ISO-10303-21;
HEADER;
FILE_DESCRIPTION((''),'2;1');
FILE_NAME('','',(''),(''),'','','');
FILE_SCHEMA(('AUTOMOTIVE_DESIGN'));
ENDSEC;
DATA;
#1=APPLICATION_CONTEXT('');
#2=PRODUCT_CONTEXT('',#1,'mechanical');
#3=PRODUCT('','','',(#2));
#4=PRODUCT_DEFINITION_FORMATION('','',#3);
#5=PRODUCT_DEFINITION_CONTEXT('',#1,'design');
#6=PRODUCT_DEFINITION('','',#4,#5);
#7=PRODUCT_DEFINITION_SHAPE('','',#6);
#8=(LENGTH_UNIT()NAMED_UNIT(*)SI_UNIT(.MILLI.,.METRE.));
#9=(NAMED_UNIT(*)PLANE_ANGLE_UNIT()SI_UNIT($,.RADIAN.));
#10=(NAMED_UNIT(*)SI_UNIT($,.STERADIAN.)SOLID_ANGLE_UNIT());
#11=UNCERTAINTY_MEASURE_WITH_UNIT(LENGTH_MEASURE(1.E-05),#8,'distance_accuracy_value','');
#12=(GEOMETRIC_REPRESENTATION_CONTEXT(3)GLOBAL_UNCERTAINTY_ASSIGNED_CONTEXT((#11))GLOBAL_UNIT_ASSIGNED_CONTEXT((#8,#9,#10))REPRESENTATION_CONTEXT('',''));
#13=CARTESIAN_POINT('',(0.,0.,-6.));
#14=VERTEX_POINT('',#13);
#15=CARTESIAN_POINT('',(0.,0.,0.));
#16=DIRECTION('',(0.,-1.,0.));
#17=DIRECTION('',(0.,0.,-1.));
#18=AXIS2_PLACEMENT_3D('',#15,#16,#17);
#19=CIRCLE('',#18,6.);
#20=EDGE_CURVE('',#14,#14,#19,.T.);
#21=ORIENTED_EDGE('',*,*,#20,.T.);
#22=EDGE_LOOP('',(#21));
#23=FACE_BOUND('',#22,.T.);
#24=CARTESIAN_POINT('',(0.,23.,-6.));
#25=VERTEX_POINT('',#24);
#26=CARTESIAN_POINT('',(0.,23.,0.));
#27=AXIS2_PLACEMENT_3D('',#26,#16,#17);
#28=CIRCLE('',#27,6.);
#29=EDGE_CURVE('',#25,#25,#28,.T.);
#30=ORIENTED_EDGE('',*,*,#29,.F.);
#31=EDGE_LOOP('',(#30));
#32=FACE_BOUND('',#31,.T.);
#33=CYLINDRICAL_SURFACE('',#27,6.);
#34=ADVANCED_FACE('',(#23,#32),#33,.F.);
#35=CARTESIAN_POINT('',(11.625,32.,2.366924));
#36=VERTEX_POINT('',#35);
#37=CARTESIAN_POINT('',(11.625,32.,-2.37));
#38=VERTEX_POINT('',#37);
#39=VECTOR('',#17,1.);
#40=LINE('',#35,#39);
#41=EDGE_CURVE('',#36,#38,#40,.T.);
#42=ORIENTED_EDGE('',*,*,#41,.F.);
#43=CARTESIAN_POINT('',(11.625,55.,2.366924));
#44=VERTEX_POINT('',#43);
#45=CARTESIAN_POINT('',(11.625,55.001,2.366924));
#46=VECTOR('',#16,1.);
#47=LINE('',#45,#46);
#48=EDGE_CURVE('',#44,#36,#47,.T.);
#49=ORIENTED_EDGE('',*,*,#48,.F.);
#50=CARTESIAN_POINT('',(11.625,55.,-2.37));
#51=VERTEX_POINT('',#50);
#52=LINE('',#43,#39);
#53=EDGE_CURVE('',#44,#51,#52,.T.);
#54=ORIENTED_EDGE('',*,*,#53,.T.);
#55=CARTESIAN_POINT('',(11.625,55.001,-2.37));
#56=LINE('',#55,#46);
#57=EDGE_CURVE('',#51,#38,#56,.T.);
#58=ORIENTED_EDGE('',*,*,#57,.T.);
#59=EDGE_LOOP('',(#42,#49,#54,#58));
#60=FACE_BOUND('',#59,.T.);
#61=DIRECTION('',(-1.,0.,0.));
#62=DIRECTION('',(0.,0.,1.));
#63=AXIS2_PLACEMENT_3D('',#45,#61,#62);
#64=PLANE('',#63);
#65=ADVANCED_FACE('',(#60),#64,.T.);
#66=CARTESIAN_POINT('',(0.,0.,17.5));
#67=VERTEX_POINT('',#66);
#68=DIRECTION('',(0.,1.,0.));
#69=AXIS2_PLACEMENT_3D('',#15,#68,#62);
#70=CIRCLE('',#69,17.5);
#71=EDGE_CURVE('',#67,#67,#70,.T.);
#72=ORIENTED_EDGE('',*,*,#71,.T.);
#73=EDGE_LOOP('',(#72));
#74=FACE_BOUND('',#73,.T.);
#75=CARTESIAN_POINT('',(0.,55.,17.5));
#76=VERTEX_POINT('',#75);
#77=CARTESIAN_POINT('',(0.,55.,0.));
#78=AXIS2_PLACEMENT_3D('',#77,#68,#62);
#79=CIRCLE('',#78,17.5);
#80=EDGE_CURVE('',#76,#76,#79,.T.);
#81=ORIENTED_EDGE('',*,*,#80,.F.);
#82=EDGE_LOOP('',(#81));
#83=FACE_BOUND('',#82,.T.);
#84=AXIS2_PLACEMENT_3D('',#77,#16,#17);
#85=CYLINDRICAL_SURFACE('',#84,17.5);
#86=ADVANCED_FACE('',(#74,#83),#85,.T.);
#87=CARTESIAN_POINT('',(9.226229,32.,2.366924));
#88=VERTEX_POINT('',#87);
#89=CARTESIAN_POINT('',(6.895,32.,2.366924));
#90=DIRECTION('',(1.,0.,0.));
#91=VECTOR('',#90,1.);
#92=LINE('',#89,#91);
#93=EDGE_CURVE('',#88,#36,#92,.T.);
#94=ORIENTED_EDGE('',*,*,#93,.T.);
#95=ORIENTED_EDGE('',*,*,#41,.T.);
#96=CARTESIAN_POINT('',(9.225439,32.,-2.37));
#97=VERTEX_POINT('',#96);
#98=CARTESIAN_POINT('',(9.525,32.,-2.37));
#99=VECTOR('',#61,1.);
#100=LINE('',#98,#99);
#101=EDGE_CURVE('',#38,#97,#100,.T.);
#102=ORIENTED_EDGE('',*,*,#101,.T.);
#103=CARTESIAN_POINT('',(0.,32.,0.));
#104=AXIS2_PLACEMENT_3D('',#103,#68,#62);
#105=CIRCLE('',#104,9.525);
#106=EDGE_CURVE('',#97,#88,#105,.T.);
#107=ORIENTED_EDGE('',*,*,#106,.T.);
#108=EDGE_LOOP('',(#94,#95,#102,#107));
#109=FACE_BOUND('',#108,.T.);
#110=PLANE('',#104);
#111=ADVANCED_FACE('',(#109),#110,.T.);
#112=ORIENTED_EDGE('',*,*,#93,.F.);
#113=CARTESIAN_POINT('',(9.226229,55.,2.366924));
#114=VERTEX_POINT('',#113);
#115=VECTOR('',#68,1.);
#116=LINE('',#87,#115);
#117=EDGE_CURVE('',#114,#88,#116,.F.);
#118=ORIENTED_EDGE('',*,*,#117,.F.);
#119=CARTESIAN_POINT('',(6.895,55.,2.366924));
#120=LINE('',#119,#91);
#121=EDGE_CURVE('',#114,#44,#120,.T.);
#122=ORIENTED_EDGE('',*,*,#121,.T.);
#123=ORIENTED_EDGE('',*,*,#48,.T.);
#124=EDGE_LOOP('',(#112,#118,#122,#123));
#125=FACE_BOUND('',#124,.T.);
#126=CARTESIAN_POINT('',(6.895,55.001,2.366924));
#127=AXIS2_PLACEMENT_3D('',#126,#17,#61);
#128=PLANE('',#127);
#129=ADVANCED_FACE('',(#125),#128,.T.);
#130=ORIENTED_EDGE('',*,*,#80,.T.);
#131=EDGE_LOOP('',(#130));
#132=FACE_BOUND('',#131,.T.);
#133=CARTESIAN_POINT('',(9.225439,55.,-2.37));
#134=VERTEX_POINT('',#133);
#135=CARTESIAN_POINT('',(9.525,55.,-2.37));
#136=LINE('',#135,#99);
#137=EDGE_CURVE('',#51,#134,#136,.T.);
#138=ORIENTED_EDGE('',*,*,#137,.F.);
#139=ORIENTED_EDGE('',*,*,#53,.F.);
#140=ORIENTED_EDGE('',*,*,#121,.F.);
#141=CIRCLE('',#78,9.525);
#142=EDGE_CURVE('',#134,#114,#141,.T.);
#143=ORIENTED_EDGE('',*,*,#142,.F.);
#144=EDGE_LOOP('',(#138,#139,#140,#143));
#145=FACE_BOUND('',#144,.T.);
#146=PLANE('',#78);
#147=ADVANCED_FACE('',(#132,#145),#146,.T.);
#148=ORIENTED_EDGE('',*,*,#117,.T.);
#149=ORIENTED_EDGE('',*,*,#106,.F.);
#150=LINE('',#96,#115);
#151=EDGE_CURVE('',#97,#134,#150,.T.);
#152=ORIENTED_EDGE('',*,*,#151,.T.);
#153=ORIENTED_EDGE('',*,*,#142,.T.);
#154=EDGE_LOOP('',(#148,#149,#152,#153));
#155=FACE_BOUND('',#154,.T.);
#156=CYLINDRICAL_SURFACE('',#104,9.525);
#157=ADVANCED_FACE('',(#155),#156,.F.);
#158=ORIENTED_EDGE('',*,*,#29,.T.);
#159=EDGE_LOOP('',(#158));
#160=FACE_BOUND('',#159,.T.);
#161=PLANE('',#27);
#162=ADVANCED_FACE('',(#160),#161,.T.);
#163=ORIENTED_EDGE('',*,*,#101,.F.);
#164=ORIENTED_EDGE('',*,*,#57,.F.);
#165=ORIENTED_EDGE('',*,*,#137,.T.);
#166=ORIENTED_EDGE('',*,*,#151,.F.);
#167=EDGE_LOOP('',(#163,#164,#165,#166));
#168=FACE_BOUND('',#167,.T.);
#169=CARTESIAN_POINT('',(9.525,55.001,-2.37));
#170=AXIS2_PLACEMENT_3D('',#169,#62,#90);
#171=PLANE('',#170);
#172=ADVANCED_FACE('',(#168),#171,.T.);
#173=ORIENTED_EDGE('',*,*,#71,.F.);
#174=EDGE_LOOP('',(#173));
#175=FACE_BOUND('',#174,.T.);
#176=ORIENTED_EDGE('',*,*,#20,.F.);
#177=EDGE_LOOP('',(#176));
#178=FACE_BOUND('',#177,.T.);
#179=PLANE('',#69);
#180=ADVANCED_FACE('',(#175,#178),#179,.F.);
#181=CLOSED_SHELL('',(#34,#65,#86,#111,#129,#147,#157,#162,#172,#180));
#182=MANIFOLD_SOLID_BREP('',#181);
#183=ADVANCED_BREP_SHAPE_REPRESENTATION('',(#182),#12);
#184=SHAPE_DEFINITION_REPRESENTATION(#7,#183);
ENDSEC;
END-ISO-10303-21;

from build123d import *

# Parameters (mm, degrees)
SKETCH1_R           = 17.5
BOSS_EXTRUDE1_DEPTH = 55
SKETCH2_R           = 9.525
CUT_EXTRUDE1_DEPTH  = 23
CUT_EXTRUDE2_REACH  = 42.454
SKETCH5_R           = 6
CUT_EXTRUDE3_DEPTH  = 23


with BuildPart() as part:
    # Sketch1 → Boss-Extrude1 (new body)
    with BuildSketch(Plane(origin=(0, 0, 0), x_dir=(1, 0, 0), z_dir=(0, 1, 0))):
        with Locations(Location((0, 0, 0), (0, 0, 270))):
            Circle(SKETCH1_R)
    extrude(amount=BOSS_EXTRUDE1_DEPTH)

    # Sketch2 → Cut-Extrude1 (cut)
    with BuildSketch(Plane(origin=(0, 55, 0), x_dir=(1, 0, 0), z_dir=(0, 1, 0))):
        with Locations(Location((0, 0, 0), (0, 0, 270))):
            Circle(SKETCH2_R)
    extrude(amount=-CUT_EXTRUDE1_DEPTH, mode=Mode.SUBTRACT)

    # Sketch3 → Cut-Extrude2 (cut, up to next)
    with BuildSketch(Plane(origin=(0, 32, 0), x_dir=(1, 0, 0), z_dir=(0, 1, 0)), mode=Mode.PRIVATE) as cut_extrude2_sk1:
        Polygon((9.525, 2.37), (11.625, 2.37), (11.625, -2.366924295), (6.895, -2.366924295), (6.895, 2.37), align=None)
    cut_extrude2_tool1 = extrude(cut_extrude2_sk1.sketch, amount=CUT_EXTRUDE2_REACH, mode=Mode.PRIVATE) & part.part
    add(cut_extrude2_tool1.solids().sort_by_distance((9.26, 32, -0.001538))[0], mode=Mode.SUBTRACT)

    # Sketch5 → Cut-Extrude3 (cut)
    with BuildSketch(Plane(origin=(0, 0, 0), x_dir=(-1, 0, 0), z_dir=(0, -1, 0))):
        with Locations(Location((0, 0, 0), (0, 0, 90))):
            Circle(SKETCH5_R)
    extrude(amount=-CUT_EXTRUDE3_DEPTH, mode=Mode.SUBTRACT)


solid = part.part
